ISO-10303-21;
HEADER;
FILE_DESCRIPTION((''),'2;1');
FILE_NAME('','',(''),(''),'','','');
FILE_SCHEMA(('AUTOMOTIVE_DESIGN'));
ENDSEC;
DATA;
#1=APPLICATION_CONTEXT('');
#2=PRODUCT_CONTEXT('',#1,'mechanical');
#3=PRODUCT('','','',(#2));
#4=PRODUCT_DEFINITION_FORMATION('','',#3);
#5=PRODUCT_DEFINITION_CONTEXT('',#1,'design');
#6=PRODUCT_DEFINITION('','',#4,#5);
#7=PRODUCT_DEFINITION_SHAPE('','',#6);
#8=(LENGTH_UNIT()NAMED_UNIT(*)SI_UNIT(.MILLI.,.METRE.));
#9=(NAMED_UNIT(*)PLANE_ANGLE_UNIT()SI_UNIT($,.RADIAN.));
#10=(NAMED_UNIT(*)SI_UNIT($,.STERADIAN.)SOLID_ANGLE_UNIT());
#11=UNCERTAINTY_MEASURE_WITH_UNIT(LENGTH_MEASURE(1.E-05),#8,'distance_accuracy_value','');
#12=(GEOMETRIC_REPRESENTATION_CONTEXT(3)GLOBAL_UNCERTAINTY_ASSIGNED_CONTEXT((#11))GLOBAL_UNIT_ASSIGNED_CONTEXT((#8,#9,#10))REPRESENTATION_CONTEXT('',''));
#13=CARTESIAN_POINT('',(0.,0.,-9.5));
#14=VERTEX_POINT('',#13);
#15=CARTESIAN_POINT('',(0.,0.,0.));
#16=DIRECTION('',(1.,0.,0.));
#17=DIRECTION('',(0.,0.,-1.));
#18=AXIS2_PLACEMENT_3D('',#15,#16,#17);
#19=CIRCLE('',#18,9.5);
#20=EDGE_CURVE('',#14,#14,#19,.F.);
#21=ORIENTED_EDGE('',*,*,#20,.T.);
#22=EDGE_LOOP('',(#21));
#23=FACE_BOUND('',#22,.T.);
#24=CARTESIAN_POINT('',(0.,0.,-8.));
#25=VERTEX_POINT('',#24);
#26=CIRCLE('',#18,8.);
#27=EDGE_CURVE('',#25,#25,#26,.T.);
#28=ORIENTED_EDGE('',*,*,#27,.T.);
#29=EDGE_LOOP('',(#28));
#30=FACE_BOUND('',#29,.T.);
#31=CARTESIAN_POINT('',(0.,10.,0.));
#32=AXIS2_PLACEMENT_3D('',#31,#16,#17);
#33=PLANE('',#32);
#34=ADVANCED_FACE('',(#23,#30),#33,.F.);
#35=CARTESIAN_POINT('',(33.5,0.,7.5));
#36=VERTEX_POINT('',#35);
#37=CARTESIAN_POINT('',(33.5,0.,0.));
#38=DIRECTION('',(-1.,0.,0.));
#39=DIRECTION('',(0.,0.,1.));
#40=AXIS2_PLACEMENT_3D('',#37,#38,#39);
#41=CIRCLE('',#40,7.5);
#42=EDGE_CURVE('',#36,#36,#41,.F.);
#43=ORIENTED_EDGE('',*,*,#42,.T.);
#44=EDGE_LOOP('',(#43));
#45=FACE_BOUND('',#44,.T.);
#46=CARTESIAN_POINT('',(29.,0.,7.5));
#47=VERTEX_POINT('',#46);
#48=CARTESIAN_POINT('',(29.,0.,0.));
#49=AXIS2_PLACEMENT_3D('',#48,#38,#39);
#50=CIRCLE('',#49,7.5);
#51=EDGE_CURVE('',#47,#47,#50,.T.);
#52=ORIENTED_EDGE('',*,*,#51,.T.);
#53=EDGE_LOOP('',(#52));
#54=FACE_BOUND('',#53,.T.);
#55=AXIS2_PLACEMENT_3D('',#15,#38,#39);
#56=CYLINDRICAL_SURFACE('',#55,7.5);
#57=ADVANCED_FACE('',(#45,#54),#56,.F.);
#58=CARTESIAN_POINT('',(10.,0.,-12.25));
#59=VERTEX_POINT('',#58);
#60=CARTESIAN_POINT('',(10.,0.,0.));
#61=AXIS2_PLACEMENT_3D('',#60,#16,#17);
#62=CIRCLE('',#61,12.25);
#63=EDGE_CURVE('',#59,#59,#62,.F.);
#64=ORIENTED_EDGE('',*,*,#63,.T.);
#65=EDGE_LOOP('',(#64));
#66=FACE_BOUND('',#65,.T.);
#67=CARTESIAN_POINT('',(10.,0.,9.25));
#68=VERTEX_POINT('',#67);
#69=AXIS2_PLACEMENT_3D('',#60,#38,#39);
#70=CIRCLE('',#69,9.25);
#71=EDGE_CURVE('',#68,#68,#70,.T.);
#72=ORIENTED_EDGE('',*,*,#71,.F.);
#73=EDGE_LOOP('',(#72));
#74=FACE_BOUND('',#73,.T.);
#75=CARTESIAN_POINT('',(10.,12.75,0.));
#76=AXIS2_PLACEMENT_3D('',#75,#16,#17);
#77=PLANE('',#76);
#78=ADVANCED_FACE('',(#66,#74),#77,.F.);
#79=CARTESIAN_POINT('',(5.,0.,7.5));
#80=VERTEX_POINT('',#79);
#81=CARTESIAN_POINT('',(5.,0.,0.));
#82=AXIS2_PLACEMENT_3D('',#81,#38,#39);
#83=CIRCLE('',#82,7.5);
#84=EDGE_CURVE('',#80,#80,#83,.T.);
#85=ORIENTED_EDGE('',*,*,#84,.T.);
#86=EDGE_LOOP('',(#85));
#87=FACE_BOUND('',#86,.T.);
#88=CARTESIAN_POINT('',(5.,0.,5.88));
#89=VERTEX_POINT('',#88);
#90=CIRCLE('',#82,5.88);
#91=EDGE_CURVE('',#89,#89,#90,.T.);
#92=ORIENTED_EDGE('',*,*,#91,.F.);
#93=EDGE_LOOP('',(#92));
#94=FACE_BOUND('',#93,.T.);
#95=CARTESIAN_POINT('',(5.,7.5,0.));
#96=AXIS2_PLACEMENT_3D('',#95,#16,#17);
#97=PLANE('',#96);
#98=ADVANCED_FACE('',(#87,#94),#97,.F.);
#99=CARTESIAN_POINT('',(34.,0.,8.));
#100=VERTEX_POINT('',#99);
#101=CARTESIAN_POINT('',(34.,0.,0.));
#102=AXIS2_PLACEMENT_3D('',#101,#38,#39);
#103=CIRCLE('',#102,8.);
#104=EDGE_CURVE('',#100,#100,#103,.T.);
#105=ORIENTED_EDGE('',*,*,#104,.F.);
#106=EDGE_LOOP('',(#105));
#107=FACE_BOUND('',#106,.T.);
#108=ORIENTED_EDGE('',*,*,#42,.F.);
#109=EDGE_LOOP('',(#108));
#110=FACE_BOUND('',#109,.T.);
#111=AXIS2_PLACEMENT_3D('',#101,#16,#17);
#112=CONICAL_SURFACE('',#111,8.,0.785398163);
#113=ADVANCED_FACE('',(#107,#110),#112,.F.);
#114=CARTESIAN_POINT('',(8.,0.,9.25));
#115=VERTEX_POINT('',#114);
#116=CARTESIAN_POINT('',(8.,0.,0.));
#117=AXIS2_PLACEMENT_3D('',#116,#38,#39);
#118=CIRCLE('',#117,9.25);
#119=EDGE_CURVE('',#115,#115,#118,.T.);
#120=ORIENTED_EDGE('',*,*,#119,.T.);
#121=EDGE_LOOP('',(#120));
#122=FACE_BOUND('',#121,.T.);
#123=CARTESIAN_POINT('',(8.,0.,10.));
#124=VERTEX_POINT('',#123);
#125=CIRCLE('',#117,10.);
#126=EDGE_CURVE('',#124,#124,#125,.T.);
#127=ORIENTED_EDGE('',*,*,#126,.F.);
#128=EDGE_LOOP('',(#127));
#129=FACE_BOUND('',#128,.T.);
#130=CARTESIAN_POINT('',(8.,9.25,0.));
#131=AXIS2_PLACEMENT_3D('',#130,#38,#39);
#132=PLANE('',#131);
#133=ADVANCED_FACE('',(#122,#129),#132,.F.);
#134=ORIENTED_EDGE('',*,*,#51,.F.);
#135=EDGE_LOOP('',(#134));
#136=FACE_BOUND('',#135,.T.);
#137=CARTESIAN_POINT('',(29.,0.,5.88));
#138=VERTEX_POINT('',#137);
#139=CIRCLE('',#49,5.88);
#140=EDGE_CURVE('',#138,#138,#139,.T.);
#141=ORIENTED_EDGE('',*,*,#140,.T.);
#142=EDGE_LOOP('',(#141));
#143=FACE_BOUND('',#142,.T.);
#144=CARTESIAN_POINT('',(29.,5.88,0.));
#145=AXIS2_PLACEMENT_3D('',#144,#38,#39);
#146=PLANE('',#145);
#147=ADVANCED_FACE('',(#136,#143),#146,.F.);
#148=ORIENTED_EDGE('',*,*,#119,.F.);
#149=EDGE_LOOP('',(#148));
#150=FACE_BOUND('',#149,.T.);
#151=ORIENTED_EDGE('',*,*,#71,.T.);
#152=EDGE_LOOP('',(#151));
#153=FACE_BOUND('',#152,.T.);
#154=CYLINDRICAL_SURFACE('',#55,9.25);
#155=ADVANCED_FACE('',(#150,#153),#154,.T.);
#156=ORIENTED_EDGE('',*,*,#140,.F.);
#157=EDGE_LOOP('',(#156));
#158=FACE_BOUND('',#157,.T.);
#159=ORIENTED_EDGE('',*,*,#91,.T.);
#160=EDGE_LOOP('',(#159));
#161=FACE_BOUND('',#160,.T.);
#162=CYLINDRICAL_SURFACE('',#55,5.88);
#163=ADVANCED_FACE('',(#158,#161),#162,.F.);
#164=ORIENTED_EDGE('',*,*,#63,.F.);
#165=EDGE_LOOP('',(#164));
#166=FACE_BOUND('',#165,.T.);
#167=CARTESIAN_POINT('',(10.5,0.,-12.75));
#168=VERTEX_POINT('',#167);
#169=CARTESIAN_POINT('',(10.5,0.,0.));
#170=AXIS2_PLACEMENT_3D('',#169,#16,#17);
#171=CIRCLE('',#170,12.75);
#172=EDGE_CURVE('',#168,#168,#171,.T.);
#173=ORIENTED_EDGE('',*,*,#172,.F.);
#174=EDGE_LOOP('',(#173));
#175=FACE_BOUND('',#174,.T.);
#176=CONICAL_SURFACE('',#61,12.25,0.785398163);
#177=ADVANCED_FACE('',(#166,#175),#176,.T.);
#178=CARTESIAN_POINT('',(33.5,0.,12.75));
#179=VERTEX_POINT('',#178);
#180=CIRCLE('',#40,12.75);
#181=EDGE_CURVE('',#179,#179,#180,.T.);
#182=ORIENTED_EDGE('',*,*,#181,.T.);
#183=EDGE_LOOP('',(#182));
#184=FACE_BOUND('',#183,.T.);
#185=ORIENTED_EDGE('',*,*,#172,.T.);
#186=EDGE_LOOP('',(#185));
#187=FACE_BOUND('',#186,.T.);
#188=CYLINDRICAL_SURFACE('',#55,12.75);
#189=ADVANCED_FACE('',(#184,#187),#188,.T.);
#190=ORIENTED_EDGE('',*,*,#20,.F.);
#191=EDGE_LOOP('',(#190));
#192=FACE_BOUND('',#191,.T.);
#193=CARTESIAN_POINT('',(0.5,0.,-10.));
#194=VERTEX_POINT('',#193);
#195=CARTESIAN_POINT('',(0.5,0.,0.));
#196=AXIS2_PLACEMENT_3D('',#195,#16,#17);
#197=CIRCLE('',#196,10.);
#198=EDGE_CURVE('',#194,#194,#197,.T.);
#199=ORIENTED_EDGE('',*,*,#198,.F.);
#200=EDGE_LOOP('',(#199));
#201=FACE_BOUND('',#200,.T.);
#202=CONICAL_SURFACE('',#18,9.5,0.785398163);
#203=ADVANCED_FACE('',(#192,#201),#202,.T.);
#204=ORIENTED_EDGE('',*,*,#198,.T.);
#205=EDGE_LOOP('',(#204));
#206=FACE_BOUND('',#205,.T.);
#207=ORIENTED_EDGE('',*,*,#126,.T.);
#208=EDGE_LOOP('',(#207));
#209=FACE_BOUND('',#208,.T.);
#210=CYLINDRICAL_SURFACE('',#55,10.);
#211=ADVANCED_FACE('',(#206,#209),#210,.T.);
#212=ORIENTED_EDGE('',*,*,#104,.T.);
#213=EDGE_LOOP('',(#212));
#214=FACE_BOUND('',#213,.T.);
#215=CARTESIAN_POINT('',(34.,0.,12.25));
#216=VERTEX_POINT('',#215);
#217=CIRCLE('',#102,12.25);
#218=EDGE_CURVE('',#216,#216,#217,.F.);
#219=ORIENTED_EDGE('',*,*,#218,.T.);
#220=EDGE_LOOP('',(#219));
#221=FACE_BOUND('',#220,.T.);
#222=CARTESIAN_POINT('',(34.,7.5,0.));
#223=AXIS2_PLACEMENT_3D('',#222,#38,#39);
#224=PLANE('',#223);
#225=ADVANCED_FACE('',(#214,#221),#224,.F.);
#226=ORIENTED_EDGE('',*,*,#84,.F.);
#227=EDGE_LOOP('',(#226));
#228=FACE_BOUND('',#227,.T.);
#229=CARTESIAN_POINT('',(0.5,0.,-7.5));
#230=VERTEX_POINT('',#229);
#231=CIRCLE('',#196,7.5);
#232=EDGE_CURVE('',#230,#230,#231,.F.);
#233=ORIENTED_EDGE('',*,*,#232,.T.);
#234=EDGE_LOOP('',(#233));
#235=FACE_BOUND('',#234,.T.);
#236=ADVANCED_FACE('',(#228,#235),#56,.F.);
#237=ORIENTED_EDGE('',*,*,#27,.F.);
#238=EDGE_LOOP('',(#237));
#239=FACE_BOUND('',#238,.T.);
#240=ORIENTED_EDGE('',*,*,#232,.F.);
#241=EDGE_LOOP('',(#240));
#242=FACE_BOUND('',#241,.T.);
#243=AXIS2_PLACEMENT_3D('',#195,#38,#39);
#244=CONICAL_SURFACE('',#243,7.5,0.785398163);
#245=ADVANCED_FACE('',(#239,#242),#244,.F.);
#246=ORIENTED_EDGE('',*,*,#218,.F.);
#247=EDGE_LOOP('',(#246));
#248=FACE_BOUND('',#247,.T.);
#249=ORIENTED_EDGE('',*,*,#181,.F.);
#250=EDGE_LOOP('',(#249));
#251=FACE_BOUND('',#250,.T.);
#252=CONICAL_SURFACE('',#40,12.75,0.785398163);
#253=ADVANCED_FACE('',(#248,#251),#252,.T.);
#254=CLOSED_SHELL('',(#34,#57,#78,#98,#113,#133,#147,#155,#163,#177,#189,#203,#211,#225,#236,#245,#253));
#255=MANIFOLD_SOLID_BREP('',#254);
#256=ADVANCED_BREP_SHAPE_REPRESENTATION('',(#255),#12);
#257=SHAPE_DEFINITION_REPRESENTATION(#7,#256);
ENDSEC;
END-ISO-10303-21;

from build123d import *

# Parameters (mm, degrees)
CHANFREIN1_SIZE = 0.5


with BuildPart() as part:
    # Esquisse1 → Base-Révolution (revolve)
    with BuildSketch(Plane.XY, mode=Mode.PRIVATE) as base_r_volution_sk:
        Polygon((0, 7.5), (5, 7.5), (5, 5.88), (29, 5.88), (29, 7.5), (34, 7.5), (34, 12.75), (10, 12.75), (10, 9.25), (8, 9.25), (8, 10), (0, 10), align=None)
    revolve(base_r_volution_sk.sketch.rotate(Axis((0, 0, 0), (1, 0, 0)), 90), axis=Axis((0, 0, 0), (1, 0, 0)))

    # Chanfrein1
    chanfrein1_edges = [part.edges().sort_by_distance(p)[0] for p in [
        (10, 0, -12.75),
        (0, 0, -10),
        (0, 0, -7.5),
        (34, 0, -7.5),
        (34, 0, -12.75),
    ]]
    chamfer(chanfrein1_edges, length=CHANFREIN1_SIZE)


solid = part.part
